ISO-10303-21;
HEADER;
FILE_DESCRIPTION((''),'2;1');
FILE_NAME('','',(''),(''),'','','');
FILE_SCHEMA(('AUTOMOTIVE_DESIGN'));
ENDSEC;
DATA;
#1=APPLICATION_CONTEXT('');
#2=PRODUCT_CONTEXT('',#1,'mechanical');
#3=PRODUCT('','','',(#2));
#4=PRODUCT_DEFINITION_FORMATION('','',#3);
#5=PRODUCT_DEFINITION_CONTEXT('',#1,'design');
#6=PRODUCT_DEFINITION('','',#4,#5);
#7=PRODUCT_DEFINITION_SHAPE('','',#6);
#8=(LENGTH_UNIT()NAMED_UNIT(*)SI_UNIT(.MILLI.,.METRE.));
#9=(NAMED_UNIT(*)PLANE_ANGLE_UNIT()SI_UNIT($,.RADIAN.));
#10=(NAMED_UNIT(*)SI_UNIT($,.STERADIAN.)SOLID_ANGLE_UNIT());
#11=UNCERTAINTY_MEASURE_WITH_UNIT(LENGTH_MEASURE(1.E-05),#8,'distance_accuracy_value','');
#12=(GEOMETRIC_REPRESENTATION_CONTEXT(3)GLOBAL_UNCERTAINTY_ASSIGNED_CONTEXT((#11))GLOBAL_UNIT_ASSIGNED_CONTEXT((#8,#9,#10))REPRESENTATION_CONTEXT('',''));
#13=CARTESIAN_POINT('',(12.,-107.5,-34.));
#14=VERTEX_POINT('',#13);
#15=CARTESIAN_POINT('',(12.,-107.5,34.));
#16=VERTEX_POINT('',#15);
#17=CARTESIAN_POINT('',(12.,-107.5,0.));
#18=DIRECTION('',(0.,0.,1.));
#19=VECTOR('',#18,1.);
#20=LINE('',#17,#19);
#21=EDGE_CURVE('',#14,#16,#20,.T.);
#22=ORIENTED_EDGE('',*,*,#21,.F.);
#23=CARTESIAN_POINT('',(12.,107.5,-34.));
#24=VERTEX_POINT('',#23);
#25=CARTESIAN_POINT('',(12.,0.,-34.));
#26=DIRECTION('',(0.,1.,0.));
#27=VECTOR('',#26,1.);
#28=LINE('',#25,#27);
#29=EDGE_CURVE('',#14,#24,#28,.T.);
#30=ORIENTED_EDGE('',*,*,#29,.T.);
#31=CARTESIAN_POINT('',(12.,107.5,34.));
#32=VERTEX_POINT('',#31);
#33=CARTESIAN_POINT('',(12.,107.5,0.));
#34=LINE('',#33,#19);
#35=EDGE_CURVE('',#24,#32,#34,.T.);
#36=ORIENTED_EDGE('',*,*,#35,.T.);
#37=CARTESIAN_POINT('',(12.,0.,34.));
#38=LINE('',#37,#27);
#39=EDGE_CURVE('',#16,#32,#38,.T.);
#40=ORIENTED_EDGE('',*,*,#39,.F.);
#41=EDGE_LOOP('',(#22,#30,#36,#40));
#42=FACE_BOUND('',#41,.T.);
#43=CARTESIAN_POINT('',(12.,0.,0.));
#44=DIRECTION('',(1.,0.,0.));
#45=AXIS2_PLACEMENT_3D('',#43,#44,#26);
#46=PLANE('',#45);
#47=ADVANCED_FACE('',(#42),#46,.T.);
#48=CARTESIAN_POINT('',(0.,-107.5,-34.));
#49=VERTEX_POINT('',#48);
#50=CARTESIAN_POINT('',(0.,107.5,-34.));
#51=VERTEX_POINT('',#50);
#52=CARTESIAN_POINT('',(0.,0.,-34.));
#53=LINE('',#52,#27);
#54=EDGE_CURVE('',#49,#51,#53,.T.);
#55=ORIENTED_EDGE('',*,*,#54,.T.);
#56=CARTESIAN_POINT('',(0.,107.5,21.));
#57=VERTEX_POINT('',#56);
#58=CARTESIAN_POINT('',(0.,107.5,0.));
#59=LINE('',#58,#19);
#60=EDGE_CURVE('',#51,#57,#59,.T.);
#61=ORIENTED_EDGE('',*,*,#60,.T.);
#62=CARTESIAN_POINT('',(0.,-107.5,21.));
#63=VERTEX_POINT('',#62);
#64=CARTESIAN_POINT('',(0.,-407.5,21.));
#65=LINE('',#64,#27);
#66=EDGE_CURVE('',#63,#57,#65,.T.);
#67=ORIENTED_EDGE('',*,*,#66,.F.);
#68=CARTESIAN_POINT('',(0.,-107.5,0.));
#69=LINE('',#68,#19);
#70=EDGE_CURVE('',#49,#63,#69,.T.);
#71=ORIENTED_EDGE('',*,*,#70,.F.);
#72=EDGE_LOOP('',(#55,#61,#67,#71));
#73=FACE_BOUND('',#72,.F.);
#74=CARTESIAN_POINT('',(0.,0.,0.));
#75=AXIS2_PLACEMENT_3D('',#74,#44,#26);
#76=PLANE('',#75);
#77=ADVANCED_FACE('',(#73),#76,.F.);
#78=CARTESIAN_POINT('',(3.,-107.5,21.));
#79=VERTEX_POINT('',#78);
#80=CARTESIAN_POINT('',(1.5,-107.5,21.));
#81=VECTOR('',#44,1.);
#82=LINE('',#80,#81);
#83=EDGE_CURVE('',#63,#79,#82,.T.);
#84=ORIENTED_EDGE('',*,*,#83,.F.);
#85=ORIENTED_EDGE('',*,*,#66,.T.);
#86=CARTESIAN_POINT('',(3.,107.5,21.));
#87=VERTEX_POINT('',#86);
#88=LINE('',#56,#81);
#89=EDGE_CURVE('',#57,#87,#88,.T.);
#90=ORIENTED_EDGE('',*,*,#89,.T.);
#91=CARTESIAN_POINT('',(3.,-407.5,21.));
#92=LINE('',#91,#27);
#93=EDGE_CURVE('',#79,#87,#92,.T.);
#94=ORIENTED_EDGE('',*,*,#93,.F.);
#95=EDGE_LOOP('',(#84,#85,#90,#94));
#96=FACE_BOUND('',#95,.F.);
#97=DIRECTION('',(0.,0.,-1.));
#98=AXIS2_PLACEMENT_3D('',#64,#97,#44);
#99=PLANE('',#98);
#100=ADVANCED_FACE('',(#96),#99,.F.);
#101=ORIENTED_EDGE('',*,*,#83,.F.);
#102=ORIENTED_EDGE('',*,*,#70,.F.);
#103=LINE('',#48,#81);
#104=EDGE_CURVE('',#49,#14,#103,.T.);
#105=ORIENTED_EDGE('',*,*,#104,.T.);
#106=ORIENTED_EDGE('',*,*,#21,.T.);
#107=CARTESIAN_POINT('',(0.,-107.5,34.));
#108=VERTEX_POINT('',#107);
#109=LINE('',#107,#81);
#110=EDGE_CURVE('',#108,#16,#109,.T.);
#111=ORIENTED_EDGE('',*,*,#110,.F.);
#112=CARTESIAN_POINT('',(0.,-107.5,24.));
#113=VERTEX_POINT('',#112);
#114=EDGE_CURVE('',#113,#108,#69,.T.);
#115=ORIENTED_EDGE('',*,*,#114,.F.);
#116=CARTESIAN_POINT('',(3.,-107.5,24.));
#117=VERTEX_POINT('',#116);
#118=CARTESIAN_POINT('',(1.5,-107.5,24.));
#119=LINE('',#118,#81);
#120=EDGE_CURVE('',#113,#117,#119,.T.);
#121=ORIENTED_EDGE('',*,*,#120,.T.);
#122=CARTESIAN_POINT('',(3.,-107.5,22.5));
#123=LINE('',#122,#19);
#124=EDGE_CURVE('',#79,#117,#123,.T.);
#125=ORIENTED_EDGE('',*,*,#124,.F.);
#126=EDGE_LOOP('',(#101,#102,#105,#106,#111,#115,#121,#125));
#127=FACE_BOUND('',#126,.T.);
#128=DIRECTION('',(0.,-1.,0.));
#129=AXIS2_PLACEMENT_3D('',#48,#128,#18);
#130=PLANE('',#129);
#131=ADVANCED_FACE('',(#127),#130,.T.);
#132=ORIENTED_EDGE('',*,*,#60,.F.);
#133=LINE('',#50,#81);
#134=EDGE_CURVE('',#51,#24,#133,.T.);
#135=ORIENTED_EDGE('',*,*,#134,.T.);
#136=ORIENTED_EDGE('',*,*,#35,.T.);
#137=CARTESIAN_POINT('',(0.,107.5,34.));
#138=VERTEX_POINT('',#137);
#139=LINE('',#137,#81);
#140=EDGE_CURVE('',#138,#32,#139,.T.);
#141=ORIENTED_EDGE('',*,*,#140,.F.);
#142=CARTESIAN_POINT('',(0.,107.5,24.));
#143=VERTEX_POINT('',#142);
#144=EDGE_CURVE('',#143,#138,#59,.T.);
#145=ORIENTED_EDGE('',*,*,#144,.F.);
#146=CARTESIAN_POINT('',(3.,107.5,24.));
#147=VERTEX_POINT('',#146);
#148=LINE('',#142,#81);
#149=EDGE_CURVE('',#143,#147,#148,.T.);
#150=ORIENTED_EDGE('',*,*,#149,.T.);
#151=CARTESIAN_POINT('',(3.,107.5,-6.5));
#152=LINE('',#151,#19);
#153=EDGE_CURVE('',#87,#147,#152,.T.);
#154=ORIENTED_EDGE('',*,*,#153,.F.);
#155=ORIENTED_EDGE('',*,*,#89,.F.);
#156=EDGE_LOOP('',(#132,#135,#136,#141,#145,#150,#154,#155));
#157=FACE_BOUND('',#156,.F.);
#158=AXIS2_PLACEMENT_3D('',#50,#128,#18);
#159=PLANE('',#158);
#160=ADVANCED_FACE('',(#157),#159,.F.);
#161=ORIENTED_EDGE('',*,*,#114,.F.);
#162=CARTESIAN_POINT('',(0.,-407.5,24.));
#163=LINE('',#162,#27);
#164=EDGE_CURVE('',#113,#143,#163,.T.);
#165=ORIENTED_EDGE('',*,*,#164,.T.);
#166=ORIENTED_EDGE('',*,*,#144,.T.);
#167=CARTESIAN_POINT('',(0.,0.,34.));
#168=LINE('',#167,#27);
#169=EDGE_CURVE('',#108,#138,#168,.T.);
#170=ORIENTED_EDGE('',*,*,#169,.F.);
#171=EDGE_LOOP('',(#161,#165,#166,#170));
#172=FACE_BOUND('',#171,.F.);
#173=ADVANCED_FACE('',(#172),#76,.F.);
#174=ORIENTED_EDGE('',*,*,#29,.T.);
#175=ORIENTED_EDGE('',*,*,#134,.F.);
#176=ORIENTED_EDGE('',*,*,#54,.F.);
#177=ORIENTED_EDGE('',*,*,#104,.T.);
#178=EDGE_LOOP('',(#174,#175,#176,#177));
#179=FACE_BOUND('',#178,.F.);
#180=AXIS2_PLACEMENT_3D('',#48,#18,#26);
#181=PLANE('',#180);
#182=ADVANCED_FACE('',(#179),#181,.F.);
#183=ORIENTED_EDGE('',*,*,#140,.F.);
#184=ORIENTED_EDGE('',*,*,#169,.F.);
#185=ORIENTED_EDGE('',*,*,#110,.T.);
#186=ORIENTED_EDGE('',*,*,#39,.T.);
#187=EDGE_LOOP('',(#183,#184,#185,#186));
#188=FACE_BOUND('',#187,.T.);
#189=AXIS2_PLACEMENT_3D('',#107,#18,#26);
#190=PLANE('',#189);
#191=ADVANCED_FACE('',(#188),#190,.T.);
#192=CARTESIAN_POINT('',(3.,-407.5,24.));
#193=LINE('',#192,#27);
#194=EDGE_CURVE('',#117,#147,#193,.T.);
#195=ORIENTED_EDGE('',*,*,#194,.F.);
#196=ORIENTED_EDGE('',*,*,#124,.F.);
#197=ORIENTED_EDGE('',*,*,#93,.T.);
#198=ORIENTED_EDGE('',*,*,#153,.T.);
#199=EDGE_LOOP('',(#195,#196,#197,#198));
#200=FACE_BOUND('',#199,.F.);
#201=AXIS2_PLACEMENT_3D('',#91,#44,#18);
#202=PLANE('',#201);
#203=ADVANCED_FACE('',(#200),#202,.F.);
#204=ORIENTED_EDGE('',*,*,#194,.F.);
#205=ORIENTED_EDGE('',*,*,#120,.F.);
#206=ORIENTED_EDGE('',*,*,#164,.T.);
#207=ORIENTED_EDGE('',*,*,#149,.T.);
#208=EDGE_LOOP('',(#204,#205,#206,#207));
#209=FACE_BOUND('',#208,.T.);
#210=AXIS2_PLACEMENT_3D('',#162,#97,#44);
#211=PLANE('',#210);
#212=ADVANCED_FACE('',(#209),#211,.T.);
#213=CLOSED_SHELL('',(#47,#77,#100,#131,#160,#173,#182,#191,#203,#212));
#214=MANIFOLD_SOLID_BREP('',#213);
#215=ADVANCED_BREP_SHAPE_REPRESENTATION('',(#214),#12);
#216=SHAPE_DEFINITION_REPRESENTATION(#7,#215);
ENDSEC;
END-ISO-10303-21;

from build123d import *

# Parameters (mm, degrees)
F0_W      = 215
F0_H      = 68
F1_DEPTH  = 12
F2_W      = 3
F2_H      = 3
F3_DEPTH  = 300
F3_FACE_W = 3
F3_FACE_H = 3
F5_DEPTH  = 800


with BuildPart() as f1:
    # F0 (on Right) → F1 (new body)
    with BuildSketch(Plane.YZ):
        Rectangle(F0_W, F0_H)
    extrude(amount=F1_DEPTH)

    # F2 (on face) → F3 (join)
    with BuildSketch(Plane.XZ.offset(107.5)):
        with Locations((1.5, 22.5)):
            Rectangle(F2_W, F2_H)
    extrude(amount=F3_DEPTH)

    # F3_face (on face) → F5 (cut)
    with BuildSketch(Plane(origin=(1.5, -407.5, 22.5), x_dir=(1, 0, 0), z_dir=(0, -1, 0))):
        Rectangle(F3_FACE_W, F3_FACE_H)
    extrude(amount=-F5_DEPTH, mode=Mode.SUBTRACT)


solid = f1.part
